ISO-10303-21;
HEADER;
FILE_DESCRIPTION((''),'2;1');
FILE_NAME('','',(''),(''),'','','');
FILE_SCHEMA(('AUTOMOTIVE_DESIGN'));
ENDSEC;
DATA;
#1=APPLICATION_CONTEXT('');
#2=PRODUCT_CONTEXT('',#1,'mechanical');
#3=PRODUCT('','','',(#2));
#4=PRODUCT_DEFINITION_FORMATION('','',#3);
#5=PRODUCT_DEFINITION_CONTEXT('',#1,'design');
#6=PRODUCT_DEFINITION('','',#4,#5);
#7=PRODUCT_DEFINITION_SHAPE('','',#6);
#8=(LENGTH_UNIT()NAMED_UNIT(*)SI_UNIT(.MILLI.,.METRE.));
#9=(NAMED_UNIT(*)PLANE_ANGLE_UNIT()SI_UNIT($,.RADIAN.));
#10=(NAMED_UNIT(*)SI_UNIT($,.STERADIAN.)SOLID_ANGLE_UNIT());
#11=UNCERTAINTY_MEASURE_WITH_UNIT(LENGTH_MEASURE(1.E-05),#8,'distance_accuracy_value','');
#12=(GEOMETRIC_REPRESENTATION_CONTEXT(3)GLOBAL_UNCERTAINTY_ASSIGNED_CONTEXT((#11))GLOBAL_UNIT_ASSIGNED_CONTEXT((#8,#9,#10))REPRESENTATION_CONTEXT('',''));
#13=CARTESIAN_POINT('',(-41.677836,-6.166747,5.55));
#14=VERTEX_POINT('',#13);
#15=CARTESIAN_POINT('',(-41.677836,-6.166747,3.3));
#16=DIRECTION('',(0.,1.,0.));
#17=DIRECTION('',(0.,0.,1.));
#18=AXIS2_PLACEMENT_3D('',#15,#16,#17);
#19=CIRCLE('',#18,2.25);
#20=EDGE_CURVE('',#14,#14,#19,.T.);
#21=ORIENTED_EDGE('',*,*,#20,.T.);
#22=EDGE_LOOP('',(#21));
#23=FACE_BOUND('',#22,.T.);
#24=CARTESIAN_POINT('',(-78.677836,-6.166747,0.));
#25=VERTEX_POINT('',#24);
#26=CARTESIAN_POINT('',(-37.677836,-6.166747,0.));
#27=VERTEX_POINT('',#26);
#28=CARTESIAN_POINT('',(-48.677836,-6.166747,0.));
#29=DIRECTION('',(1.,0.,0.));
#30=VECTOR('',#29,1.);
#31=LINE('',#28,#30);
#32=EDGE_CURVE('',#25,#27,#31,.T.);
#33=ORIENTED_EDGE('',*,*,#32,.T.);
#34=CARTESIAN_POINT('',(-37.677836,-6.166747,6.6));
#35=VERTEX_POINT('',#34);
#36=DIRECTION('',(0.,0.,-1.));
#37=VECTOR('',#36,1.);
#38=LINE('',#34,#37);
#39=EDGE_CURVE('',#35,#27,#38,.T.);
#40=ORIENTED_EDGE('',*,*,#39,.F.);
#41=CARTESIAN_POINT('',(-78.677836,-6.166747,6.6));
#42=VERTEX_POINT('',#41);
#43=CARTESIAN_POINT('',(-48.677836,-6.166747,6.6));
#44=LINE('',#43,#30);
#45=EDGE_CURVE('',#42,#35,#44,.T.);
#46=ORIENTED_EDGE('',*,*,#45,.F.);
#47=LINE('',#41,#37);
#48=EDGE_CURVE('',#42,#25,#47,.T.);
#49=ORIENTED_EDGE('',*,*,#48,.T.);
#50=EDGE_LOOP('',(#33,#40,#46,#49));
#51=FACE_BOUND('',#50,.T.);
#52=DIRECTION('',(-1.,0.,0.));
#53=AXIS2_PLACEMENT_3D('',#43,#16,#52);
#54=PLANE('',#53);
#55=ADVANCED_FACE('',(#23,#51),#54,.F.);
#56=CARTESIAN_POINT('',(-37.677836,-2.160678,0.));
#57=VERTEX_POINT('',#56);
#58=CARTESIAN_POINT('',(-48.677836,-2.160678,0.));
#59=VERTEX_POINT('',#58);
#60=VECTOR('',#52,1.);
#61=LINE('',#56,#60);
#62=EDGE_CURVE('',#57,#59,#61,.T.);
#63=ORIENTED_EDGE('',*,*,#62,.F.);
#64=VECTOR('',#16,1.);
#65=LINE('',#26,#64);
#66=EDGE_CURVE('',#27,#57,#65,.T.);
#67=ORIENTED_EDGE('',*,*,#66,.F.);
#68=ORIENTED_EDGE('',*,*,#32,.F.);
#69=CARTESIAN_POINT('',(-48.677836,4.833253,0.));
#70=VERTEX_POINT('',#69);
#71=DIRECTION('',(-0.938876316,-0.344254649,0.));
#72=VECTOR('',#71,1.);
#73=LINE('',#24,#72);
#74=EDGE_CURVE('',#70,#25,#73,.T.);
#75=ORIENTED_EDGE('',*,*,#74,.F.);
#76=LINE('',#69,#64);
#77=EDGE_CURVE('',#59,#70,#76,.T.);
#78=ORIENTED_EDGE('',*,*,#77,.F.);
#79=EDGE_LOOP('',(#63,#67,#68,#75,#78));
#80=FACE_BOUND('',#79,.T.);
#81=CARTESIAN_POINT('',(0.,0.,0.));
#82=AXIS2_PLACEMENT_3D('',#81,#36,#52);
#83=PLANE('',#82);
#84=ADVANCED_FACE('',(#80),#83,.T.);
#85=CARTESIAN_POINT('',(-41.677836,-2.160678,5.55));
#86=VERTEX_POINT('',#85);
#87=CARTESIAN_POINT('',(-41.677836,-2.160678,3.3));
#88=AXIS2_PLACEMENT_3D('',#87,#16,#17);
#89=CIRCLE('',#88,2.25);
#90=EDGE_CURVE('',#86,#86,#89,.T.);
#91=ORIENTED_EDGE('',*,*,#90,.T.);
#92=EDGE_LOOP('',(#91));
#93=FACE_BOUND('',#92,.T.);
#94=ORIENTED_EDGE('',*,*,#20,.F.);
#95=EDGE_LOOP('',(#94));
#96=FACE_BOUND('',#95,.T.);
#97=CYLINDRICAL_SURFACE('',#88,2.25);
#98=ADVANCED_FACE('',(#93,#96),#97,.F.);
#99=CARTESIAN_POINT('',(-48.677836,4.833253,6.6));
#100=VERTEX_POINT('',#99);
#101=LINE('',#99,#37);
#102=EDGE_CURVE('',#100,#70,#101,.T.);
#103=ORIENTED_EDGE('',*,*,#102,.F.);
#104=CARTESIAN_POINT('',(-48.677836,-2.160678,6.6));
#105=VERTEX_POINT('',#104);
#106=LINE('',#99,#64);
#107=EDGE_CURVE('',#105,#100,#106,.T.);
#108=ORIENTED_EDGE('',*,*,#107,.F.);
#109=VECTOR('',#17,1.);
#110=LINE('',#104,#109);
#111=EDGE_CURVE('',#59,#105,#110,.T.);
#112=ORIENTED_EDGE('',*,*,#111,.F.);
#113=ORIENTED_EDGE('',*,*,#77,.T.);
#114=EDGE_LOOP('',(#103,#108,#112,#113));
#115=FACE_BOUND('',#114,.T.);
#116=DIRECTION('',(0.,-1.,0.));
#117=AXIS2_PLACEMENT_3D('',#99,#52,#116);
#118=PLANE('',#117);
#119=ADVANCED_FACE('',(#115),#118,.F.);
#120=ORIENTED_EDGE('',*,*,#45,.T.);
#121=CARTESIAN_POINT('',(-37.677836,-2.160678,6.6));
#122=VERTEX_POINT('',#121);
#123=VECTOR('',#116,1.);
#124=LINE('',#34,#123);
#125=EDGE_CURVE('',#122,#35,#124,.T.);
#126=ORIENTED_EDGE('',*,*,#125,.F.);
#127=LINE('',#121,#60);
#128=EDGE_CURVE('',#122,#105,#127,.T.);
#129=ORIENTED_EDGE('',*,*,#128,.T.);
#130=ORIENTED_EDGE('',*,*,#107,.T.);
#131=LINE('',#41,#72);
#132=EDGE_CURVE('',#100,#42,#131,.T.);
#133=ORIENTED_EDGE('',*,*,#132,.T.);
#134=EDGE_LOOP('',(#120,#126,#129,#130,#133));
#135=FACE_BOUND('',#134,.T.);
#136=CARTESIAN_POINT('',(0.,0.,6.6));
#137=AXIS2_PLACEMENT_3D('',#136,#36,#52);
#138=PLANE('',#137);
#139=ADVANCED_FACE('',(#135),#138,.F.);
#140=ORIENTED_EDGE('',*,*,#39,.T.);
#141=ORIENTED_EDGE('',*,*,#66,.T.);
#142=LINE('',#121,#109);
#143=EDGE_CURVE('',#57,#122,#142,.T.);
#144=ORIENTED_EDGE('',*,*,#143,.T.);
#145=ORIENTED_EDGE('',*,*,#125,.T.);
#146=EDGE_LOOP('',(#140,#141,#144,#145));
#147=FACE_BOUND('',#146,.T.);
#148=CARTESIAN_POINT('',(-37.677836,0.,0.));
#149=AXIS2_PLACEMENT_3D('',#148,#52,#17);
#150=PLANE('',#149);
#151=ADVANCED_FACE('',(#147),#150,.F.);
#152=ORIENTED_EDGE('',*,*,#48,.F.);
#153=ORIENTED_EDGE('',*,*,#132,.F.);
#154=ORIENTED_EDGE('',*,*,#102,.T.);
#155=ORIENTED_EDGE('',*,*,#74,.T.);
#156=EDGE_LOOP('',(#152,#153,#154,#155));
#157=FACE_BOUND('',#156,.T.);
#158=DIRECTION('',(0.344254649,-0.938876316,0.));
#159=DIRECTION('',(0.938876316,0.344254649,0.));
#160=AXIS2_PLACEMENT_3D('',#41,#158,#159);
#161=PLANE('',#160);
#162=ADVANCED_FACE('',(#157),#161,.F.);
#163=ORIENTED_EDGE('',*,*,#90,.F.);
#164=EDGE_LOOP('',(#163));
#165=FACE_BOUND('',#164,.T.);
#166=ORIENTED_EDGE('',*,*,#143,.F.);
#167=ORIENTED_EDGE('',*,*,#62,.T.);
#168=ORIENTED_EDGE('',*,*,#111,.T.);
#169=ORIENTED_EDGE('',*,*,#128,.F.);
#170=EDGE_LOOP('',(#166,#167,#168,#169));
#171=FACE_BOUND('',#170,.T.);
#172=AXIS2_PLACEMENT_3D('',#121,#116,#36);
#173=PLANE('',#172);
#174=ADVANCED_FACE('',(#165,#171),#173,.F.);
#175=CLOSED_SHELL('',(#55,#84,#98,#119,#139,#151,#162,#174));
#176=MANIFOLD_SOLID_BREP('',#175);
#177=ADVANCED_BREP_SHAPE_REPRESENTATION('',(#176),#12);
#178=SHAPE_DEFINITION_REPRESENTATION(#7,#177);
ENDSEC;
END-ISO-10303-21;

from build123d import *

# Parameters (mm, degrees)
BOSS_EXTRUDE1_DEPTH  = 6.6
SKETCH4_W            = 6.6
SKETCH4_H            = 4.006069052
BOSS_EXTRUDE2_DEPTH  = 11
M4_CLEARANCE_HOLE1_D = 4.5


with BuildPart() as part:
    # Sketch2 → Boss-Extrude1 (new body)
    with BuildSketch(Plane.XY):
        Polygon((-48.677836014, 4.833253272), (-48.677836014, -6.166746728), (-78.677836014, -6.166746728), align=None)
    extrude(amount=BOSS_EXTRUDE1_DEPTH)

    # Sketch4 → Boss-Extrude2 (add)
    with BuildSketch(Plane(origin=(-48.677836014, 0, 0), x_dir=(0, 0, -1), z_dir=(1, 0, 0))):
        with Locations((-3.3, -4.163712202)):
            Rectangle(SKETCH4_W, SKETCH4_H)
    extrude(amount=BOSS_EXTRUDE2_DEPTH)

    # M4 Clearance Hole1 (through all)
    with Locations(Plane(origin=(-41.677836014, -2.160677676, 3.3), x_dir=(0, 0, 1), z_dir=(0, 1, 0))):
        with Locations((0, 0)):
            Hole(M4_CLEARANCE_HOLE1_D / 2)


solid = part.part
